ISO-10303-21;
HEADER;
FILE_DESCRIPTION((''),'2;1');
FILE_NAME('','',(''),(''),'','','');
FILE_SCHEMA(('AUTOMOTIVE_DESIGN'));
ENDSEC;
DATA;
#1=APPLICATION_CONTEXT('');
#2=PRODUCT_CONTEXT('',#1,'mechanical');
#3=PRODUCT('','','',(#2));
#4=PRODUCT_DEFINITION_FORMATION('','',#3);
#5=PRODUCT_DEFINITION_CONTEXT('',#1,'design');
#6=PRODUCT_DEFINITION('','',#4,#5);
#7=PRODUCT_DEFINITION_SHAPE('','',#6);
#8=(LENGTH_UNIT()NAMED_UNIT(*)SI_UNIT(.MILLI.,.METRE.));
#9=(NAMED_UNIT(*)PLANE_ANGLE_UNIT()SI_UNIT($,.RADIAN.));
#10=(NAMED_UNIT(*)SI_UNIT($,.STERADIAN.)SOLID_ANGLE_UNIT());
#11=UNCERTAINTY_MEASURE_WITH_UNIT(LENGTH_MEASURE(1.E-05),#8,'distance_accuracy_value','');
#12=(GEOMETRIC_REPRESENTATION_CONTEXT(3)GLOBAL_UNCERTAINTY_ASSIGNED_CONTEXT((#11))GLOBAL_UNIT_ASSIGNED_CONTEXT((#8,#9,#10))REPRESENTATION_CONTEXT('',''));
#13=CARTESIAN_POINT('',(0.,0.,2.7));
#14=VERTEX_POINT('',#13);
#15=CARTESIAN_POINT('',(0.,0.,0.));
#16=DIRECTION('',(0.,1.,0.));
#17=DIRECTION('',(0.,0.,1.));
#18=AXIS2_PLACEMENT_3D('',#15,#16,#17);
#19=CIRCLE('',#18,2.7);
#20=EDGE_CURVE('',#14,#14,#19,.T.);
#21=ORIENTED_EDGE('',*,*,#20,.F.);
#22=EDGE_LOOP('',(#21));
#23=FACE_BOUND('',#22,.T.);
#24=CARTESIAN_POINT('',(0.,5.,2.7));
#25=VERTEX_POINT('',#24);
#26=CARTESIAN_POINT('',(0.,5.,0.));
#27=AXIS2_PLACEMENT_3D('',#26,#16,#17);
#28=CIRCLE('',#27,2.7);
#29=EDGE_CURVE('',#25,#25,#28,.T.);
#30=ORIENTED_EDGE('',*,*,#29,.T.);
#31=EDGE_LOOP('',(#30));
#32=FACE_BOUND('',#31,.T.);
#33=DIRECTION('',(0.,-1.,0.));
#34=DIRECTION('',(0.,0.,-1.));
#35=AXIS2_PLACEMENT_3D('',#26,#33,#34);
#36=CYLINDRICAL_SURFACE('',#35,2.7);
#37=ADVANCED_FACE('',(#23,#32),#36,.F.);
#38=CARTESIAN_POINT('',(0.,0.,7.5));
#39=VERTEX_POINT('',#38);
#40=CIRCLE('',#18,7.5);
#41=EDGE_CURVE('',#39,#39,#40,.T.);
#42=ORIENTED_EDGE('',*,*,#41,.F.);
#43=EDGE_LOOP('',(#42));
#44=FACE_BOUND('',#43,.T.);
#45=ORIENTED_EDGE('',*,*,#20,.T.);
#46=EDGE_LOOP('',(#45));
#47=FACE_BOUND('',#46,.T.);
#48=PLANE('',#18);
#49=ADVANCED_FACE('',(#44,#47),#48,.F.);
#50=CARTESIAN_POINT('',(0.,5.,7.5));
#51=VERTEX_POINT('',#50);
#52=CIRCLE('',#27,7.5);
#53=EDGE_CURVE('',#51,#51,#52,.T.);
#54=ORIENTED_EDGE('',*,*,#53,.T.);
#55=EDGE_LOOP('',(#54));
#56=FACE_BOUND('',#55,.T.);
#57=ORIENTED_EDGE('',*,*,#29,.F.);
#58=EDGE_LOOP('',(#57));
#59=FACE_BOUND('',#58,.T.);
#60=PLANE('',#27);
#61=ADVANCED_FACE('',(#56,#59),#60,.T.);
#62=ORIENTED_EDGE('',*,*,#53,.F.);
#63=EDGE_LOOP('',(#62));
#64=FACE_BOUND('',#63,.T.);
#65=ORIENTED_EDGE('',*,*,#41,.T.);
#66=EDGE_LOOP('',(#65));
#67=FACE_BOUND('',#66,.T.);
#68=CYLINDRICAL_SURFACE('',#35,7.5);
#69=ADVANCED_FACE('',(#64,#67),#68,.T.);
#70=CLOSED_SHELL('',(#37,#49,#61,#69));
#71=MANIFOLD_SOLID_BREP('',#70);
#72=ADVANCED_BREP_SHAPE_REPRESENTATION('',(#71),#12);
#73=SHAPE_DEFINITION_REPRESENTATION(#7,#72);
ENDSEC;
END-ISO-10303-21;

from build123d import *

# Parameters (mm, degrees)
SKETCH_1_R      = 7.5
SKETCH_1_R_2    = 2.7
EXTRUDE_1_DEPTH = 5


with BuildPart() as part:
    # 草圖1 → 填料-伸長1 (new body)
    with BuildSketch(Plane(origin=(0, 0, 0), x_dir=(1, 0, 0), z_dir=(0, 1, 0))):
        Circle(SKETCH_1_R)
        Circle(SKETCH_1_R_2, mode=Mode.SUBTRACT)
    extrude(amount=EXTRUDE_1_DEPTH)


solid = part.part
